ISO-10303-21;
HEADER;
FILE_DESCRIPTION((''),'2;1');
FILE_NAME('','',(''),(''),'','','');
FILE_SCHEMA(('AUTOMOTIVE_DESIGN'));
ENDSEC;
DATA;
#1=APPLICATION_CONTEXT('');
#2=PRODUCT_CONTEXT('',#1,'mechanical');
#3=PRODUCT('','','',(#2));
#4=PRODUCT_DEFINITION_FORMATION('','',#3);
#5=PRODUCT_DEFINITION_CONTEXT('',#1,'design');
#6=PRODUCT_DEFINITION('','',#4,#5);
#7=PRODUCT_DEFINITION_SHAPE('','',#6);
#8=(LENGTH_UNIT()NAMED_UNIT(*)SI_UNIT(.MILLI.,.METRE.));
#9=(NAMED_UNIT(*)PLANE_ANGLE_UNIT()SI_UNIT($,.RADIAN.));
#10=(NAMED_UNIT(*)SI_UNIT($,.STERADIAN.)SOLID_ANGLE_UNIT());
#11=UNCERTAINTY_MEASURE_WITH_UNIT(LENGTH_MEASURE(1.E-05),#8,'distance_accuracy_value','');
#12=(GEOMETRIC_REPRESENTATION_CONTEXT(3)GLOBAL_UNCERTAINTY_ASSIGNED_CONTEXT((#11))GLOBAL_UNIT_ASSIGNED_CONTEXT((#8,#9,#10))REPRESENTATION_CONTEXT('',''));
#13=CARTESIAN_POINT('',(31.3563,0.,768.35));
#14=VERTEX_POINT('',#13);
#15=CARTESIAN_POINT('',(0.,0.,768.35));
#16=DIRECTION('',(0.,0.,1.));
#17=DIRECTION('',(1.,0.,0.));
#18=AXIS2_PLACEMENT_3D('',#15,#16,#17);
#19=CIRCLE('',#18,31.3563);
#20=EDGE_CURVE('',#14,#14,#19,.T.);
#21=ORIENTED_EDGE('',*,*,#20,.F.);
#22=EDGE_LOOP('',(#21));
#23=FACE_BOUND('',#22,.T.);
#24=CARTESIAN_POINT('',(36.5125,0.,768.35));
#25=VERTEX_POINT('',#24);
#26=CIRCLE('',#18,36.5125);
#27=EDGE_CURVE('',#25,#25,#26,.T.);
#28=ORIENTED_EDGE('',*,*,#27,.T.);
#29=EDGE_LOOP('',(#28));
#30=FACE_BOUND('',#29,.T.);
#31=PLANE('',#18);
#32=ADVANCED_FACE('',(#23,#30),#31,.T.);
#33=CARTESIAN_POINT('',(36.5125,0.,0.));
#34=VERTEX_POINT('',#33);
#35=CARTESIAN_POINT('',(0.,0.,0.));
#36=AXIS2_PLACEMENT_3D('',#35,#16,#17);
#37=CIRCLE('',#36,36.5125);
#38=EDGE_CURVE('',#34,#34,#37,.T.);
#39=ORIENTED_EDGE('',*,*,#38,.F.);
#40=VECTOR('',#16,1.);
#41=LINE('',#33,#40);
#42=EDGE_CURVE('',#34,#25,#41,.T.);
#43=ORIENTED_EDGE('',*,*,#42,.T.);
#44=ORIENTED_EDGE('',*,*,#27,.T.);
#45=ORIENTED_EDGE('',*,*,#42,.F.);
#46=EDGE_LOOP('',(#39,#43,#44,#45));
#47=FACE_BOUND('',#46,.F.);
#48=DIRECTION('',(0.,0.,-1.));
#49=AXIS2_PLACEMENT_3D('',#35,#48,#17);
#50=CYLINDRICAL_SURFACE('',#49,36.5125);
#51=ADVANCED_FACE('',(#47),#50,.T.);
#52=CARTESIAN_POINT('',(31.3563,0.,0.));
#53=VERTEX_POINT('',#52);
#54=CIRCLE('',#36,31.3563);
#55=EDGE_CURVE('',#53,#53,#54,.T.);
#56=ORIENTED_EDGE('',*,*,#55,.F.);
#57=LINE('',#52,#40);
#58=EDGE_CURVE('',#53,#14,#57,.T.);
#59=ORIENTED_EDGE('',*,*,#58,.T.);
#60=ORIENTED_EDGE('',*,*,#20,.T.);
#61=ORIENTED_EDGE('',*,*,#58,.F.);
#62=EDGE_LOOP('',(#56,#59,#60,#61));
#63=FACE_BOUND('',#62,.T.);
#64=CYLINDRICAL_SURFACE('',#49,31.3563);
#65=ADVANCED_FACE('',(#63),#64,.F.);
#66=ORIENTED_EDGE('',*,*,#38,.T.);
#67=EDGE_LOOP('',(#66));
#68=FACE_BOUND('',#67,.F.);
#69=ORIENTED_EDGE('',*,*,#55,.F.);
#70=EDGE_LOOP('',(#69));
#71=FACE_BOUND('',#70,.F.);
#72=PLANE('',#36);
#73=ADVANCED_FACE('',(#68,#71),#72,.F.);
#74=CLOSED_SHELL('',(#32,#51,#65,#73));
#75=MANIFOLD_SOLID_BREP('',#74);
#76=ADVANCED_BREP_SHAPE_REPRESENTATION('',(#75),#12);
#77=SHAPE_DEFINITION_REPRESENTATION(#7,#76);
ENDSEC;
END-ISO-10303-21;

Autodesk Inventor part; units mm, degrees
ref_plane "YZ Plane" through (0, 0, 0) normal (1, 0, 0) x (0, 1, 0)
ref_plane "XZ Plane" through (0, 0, 0) normal (0, 1, 0) x (-1, 0, 0)
ref_plane "XY Plane" through (0, 0, 0) normal (0, 0, 1) x (1, 0, 0)
sketch "Sketch1" plane through (0, 0, 0) normal (0, 0, 1) x (1, 0, 0)
  circle A0 centre (0, 0) radius 36.5125
  circle A1 centre (0, 0) radius 31.3563
  dimension "d0" = 73.025
  dimension "d1" = 62.7126
extrude "Extrusion1" add sketch "Sketch1" along normal blind 768.35
properties part number "A1-18002-100-25 2.25in x 3ft bar tube" material "PVC-Piping"
